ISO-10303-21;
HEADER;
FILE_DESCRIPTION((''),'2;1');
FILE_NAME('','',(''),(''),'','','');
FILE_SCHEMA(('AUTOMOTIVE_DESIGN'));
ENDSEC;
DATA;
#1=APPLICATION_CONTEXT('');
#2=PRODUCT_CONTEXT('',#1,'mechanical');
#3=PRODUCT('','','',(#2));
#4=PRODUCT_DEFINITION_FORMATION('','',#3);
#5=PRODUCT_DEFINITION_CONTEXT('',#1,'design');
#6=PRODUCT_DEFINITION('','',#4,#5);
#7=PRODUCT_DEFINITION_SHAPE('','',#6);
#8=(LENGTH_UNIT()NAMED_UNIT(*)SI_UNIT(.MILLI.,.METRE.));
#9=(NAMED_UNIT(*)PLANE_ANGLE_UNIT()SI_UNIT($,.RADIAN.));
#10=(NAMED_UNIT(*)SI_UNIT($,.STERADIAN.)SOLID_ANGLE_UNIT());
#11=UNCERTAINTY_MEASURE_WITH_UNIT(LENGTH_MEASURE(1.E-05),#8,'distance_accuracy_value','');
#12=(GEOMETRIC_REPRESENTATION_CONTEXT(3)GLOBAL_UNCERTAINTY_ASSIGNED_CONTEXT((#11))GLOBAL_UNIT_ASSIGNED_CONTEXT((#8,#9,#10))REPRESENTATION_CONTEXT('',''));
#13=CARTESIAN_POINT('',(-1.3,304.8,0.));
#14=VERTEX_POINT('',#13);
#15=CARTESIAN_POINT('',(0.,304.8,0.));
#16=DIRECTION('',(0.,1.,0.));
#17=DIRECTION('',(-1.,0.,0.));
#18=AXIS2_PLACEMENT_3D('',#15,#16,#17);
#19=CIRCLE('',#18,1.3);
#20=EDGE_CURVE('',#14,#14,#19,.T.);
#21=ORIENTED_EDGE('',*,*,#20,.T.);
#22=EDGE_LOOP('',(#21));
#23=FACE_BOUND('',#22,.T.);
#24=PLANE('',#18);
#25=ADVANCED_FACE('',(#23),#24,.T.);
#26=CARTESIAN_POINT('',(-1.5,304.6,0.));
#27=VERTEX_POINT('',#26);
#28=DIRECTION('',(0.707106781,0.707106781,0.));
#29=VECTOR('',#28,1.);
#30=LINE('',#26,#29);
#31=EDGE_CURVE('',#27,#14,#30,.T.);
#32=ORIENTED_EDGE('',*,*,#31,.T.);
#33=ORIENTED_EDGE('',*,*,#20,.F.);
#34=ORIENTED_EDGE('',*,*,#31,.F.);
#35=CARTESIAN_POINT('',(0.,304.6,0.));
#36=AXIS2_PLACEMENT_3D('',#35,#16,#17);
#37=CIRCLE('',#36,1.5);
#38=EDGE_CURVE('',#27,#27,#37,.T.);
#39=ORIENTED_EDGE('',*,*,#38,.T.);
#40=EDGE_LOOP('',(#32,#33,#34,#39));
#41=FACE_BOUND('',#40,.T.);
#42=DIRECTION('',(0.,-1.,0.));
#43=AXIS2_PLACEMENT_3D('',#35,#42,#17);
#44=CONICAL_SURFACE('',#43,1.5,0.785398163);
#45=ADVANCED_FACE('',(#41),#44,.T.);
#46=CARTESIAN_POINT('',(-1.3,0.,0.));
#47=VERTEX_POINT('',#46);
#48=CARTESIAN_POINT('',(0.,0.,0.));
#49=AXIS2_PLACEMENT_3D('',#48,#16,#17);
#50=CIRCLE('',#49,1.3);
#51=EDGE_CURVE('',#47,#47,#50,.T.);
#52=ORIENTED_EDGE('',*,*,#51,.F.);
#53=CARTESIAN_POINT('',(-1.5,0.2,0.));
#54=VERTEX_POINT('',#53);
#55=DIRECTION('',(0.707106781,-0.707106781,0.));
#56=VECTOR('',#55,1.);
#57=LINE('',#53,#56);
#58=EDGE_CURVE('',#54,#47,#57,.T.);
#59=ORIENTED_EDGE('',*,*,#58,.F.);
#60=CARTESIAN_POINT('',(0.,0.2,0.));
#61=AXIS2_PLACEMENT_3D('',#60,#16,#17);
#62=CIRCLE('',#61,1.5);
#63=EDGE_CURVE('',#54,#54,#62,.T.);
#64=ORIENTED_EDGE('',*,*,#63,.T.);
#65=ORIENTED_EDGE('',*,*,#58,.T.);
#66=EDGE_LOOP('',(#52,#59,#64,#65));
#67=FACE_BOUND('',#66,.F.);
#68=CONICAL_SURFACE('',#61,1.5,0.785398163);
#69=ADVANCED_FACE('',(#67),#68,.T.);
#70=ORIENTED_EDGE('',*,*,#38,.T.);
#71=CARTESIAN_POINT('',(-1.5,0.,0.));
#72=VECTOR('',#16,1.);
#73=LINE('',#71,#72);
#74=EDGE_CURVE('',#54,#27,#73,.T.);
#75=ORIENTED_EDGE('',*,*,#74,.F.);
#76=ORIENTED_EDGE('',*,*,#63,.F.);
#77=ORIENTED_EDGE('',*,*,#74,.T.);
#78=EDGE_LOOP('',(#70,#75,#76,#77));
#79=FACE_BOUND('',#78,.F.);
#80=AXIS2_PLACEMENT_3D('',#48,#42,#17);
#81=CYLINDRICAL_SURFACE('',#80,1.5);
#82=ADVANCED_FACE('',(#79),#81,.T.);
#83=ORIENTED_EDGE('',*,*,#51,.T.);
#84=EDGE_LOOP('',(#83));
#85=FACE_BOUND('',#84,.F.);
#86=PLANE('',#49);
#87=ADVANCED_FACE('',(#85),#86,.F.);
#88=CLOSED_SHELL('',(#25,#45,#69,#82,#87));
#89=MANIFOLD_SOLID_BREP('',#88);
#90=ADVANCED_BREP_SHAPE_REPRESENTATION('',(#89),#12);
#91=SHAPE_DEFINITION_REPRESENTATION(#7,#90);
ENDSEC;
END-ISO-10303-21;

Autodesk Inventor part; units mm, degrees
ref_plane "YZ Plane" through (0, 0, 0) normal (1, 0, 0) x (0, 1, 0)
ref_plane "XZ Plane" through (0, 0, 0) normal (0, 1, 0) x (-1, 0, 0)
ref_plane "XY Plane" through (0, 0, 0) normal (0, 0, 1) x (1, 0, 0)
sketch "Sketch2" plane through (0, 0, 0) normal (0, 1, 0) x (-1, 0, 0)
  circle A0 centre (0, 0) radius 1.5
  dimension "d5" = 3
extrude "Extrusion1" add sketch "Sketch2" along normal blind 304.8
chamfer "Chamfer1" distance 0.2 angle 45 2 edges at (1.5, 0, 0) (1.5, 304.8, 0)
properties part number "PIVOT WIRE" material "Steel, Mild"
